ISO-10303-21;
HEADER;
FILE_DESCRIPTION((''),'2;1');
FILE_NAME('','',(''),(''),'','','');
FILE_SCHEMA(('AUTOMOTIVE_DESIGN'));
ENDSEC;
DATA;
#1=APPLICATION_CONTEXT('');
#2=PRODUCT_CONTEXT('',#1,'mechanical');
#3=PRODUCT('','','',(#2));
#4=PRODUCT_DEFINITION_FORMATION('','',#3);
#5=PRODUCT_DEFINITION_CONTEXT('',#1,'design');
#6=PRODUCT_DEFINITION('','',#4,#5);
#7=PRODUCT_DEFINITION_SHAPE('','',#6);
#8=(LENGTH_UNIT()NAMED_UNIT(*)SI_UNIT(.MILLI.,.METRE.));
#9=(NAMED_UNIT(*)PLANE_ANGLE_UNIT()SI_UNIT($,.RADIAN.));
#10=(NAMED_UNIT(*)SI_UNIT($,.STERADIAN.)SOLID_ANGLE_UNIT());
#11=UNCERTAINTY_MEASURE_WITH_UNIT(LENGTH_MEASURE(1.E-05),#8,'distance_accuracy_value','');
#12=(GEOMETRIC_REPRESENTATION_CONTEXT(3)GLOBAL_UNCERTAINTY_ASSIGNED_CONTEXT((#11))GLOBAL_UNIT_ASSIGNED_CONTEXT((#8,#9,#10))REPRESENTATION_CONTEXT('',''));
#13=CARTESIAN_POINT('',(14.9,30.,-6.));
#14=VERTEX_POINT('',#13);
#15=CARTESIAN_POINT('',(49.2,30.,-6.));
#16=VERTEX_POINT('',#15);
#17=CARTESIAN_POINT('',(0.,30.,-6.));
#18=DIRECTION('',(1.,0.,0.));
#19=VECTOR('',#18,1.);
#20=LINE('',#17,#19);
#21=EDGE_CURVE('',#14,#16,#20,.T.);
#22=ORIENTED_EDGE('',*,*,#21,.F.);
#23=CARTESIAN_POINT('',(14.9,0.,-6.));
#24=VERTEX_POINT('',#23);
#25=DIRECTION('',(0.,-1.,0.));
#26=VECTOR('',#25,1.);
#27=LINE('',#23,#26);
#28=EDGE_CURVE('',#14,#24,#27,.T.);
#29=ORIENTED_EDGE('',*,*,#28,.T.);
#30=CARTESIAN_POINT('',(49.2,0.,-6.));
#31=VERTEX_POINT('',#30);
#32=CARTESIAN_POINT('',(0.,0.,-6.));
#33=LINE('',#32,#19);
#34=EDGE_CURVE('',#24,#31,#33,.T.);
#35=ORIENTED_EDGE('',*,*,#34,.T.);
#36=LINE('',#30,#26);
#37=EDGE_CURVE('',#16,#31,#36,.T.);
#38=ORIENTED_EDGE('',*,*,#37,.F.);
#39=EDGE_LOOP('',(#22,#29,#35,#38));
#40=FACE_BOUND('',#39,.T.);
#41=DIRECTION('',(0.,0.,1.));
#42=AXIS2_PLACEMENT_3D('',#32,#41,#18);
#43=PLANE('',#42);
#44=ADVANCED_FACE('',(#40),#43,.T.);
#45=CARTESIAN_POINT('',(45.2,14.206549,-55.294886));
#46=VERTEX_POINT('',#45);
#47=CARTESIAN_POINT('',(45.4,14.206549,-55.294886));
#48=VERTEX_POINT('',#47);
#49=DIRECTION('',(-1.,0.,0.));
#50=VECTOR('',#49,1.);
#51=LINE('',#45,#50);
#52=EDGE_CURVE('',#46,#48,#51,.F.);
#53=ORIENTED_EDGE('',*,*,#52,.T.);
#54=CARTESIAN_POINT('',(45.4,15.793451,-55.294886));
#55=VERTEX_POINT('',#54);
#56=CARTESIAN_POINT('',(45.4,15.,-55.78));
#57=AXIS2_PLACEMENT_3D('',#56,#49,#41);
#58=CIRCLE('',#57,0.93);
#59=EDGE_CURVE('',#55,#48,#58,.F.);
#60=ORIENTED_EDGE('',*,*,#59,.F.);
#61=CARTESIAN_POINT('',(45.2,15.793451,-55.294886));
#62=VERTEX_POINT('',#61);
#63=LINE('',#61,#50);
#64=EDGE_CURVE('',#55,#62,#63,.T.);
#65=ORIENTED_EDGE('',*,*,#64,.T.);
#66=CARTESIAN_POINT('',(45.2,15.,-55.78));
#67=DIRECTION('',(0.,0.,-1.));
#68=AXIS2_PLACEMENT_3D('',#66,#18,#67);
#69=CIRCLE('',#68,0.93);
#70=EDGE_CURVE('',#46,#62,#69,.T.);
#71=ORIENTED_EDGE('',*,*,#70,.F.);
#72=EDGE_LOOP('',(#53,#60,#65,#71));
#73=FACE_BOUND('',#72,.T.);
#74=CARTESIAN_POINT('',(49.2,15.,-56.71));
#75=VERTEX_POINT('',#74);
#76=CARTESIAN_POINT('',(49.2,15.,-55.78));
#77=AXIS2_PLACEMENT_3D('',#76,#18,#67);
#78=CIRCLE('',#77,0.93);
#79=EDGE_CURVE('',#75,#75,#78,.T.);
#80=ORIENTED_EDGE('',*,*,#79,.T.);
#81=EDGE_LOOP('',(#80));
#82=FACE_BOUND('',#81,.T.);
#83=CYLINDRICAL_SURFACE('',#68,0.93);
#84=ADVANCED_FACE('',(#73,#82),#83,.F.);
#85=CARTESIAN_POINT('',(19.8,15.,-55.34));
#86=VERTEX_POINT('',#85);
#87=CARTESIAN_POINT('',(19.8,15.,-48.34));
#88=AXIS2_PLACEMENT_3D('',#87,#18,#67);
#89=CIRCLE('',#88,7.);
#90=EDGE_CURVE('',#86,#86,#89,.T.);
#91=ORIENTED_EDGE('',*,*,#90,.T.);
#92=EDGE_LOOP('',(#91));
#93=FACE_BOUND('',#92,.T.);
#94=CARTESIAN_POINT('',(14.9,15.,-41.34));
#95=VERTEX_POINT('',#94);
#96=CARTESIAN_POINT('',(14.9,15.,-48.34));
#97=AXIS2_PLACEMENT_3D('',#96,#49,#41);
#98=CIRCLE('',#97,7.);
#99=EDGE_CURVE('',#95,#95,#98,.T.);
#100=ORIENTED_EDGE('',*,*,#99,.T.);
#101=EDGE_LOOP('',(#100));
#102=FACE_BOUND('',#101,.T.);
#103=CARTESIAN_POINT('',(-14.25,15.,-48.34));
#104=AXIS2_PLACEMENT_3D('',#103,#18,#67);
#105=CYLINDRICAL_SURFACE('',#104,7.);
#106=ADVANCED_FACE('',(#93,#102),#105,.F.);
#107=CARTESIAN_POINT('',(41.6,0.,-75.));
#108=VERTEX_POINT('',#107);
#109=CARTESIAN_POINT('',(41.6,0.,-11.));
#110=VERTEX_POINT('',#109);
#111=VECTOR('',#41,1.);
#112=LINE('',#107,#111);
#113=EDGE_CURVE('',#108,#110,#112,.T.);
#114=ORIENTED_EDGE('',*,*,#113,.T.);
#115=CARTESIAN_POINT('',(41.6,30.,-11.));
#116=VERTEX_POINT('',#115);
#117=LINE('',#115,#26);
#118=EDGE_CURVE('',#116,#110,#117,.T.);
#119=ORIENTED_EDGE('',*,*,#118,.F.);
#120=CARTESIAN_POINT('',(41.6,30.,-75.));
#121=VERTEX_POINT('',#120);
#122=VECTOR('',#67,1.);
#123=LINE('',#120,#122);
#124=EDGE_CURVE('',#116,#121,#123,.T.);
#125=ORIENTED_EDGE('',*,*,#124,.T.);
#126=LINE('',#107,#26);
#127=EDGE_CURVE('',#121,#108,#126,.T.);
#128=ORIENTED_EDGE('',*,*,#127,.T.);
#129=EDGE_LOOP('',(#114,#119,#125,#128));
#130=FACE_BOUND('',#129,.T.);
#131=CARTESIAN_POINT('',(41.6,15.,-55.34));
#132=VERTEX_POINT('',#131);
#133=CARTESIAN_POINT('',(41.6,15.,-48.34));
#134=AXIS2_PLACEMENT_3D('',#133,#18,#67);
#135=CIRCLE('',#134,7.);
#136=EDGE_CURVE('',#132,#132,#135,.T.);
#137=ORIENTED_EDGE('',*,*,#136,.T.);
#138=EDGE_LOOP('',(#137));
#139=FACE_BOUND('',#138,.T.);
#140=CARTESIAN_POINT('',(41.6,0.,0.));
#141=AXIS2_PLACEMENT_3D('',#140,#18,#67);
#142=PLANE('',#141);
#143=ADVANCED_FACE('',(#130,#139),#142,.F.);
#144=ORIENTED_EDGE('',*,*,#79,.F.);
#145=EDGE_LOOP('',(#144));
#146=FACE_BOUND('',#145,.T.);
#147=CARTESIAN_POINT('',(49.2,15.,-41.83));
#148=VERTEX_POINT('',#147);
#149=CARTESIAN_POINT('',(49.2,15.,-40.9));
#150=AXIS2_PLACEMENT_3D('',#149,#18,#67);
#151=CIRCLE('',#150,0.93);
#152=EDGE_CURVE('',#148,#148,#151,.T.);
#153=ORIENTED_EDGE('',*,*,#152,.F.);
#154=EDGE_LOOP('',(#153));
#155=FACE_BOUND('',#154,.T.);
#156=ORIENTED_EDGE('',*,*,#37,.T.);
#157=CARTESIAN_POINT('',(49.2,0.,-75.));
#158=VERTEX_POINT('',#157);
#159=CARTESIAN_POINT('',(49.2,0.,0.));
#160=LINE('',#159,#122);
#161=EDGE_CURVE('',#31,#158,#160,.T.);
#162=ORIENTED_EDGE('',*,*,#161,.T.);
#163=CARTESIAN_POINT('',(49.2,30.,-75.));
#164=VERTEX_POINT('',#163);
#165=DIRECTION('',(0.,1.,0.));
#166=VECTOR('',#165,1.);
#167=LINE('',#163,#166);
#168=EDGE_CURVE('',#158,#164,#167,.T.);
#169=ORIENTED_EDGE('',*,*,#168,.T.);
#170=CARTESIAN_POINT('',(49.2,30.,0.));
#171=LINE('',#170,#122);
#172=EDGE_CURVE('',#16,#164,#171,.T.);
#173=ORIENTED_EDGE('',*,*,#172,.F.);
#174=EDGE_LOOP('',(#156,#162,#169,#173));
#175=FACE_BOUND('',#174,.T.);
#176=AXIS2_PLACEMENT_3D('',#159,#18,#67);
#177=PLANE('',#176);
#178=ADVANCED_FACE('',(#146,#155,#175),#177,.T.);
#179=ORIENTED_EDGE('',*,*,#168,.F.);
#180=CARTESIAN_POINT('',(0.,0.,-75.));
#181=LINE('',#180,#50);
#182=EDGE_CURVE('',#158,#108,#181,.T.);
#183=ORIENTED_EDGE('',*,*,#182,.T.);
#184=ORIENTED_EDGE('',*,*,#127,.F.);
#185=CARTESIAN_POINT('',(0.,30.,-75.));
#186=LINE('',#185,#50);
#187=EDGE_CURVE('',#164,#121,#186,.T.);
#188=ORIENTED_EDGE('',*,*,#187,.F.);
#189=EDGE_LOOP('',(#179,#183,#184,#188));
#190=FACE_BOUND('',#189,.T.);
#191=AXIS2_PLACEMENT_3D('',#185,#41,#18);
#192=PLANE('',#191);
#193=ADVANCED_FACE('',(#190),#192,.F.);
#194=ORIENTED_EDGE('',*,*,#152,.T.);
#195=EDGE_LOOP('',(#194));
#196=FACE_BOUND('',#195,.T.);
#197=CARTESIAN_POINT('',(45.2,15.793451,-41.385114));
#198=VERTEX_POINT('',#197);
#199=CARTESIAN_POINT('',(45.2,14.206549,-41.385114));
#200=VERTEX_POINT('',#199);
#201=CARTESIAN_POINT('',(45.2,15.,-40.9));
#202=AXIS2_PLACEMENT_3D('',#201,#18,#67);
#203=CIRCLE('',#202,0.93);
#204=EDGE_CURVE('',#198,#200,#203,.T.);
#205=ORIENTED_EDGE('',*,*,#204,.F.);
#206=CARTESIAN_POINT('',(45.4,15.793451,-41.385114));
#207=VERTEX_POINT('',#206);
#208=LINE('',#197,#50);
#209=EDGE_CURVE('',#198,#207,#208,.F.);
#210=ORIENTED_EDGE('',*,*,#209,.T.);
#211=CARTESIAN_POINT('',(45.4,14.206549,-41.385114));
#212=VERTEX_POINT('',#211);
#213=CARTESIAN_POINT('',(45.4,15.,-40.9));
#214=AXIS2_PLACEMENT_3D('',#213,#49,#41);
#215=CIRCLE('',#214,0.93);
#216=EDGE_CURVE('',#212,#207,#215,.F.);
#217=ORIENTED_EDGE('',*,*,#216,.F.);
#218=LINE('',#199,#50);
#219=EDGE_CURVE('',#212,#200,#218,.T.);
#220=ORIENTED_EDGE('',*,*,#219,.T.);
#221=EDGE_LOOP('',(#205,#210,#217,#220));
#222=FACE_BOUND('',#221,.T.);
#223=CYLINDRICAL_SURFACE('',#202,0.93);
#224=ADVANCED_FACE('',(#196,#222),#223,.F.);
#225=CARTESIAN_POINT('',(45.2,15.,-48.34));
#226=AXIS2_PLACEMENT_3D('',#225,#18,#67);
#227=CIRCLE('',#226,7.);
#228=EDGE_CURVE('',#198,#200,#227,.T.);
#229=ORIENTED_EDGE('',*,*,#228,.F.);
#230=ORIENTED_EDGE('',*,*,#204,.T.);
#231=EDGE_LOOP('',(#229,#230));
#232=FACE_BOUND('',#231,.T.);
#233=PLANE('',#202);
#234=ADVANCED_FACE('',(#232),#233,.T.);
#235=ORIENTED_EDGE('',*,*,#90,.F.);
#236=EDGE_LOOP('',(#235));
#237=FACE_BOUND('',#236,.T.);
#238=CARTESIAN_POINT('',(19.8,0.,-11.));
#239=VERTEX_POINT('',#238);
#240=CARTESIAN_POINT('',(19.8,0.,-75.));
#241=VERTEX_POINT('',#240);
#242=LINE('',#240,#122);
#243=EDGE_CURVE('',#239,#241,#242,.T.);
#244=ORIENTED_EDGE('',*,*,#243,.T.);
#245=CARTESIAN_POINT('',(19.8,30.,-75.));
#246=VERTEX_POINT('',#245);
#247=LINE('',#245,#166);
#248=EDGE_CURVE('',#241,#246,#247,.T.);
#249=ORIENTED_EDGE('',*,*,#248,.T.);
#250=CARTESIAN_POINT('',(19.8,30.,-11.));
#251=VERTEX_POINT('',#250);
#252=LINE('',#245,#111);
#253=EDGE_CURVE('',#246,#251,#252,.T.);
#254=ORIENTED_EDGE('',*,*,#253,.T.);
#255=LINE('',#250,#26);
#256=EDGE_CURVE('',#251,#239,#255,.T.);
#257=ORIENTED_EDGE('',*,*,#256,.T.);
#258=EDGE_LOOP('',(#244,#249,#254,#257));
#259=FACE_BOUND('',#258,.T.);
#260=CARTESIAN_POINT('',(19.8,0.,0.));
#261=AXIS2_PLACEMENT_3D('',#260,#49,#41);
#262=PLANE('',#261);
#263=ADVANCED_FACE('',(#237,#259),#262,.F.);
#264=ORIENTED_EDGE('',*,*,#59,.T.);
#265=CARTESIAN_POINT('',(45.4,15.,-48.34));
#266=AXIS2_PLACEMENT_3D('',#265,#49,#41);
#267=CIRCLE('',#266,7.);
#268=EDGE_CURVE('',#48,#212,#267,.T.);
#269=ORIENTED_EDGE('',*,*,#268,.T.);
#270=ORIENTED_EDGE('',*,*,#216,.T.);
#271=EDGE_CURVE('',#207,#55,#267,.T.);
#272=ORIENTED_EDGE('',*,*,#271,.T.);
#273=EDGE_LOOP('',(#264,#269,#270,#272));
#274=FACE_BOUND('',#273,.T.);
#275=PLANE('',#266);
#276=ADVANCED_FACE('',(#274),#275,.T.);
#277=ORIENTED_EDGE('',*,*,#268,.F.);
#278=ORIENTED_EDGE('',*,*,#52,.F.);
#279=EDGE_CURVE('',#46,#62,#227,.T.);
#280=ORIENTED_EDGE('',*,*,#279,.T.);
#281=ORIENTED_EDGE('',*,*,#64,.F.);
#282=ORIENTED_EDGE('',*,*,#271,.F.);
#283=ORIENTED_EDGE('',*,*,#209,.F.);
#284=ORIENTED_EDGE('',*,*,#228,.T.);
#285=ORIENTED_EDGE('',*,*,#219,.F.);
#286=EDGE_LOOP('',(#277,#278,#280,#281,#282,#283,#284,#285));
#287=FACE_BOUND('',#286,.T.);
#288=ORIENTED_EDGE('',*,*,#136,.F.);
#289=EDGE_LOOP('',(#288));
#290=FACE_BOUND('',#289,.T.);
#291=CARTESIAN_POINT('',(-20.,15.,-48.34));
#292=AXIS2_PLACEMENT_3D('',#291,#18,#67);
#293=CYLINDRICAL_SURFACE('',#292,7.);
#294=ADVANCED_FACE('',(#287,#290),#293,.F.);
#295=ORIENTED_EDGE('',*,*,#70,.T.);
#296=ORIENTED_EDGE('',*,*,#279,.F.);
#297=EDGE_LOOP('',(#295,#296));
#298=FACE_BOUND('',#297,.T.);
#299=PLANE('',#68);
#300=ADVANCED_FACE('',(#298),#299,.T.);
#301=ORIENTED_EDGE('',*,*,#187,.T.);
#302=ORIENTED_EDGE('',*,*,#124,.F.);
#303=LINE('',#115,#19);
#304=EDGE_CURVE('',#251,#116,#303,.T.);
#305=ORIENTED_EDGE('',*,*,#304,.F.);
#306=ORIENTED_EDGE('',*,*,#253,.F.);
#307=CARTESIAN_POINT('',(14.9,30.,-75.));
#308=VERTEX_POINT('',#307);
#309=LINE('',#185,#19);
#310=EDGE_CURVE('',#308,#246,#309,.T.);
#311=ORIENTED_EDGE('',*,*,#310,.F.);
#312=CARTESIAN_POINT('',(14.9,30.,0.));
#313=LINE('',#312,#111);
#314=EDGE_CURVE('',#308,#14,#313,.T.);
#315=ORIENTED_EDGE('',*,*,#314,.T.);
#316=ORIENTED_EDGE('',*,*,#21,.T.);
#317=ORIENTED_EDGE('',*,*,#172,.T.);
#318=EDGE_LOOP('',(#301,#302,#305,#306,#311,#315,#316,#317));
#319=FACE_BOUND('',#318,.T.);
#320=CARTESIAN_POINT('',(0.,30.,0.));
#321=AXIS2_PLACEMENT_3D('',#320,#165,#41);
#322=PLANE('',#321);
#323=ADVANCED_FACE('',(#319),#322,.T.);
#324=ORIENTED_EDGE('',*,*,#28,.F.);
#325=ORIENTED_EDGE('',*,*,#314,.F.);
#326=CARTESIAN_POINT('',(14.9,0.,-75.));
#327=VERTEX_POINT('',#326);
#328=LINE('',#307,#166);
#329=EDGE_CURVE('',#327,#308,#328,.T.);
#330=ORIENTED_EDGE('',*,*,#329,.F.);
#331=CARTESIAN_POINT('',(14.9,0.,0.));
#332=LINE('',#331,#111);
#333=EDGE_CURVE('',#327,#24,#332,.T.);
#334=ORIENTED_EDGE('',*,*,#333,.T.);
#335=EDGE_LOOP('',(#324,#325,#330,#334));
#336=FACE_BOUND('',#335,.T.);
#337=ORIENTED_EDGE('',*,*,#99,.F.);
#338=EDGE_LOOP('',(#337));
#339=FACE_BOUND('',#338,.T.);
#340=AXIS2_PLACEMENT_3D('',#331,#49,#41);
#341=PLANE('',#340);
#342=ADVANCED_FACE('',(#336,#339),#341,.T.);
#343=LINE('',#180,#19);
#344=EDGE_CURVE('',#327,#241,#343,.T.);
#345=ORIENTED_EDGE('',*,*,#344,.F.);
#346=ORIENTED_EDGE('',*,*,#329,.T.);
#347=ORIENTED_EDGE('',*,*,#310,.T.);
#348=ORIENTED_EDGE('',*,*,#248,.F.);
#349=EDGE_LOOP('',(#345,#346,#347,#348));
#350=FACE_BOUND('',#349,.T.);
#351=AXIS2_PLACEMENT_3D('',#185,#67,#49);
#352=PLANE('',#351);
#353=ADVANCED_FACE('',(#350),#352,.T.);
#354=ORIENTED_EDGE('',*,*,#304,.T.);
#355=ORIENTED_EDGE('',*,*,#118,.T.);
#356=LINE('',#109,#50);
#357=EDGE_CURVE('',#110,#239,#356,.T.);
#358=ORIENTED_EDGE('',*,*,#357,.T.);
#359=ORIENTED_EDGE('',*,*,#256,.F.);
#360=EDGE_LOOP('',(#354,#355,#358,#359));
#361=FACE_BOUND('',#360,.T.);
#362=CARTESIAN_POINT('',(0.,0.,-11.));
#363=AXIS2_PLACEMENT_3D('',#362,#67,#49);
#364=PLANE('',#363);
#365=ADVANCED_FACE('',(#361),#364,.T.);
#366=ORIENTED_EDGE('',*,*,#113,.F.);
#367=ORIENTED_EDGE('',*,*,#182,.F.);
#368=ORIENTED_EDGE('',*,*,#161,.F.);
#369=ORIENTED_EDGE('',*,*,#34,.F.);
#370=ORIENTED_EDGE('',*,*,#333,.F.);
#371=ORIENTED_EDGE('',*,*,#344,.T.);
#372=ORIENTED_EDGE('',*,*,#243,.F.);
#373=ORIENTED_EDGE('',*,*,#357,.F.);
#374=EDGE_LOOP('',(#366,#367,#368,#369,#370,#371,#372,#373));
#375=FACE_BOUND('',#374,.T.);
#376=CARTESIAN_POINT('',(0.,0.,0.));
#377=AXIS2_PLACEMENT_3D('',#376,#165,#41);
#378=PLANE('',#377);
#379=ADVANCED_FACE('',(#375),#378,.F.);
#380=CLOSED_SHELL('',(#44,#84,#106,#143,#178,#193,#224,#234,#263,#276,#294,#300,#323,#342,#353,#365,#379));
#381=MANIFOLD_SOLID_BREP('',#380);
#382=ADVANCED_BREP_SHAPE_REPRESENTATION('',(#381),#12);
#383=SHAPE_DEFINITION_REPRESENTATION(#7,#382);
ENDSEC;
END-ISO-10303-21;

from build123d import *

# Parameters (mm, degrees)
BOSS_EXTRUDE1_DEPTH = 30
SKETCH2_R           = 7
CUT_EXTRUDE1_DEPTH  = 70
SKETCH3_W           = 111.167782235
SKETCH3_H           = 40.74685258
CUT_EXTRUDE2_DEPTH  = 0.8
SKETCH5_W           = 117.774687649
SKETCH5_H           = 158.291815666
CUT_EXTRUDE3_DEPTH  = 0.8
SKETCH6_W           = 70
SKETCH6_H           = 30
BOSS_EXTRUDE2_DEPTH = 3.4
SKETCH7_W           = 70
SKETCH7_H           = 30
BOSS_EXTRUDE3_DEPTH = 6.7
SKETCH8_W           = 83.763231722
SKETCH8_H           = 77.916949986
CUT_EXTRUDE5_DEPTH  = 6
SKETCH9_R           = 7
CUT_EXTRUDE6_DEPTH  = 90.354574589
SKETCH10_W          = 29.9
SKETCH10_H          = 30
BOSS_EXTRUDE4_DEPTH = 6
SKETCH11_W          = 55.967068903
SKETCH11_H          = 62.229878259
CUT_EXTRUDE7_DEPTH  = 6
SKETCH12_W          = 64
SKETCH12_H          = 30
BOSS_EXTRUDE6_DEPTH = 4.05
SKETCH13_W          = 85.617860434
SKETCH13_H          = 123.38327663
CUT_EXTRUDE9_DEPTH  = 4.05
SKETCH15_W          = 39.049263631
SKETCH15_H          = 151.632152685
CUT_EXTRUDE10_DEPTH = 3.95
SKETCH16_W          = 64
SKETCH16_H          = 30
BOSS_EXTRUDE7_DEPTH = 4.05
SKETCH17_W          = 96.474130843
SKETCH17_H          = 104.566259817
CUT_EXTRUDE11_DEPTH = 4.05
SKETCH18_W          = 6.755230809
SKETCH18_H          = 55.059186595
CUT_EXTRUDE12_DEPTH = 4.05
SKETCH19_R          = 7
CUT_EXTRUDE14_DEPTH = 34.05
SKETCH23_W          = 19.849593964
SKETCH23_H          = 19.85515092
BOSS_EXTRUDE9_DEPTH = 4.2
SKETCH24_R          = 0.93
CUT_EXTRUDE16_DEPTH = 4
SKETCH24_5_R        = 0.93
CUT_EXTRUDE17_DEPTH = 4
SKETCH26_R          = 7
CUT_EXTRUDE18_DEPTH = 0.4


with BuildPart() as part:
    # Sketch1 → Boss-Extrude1 (new body)
    with BuildSketch(Plane(origin=(0, 0, 0), x_dir=(1, 0, 0), z_dir=(0, 1, 0))):
        Polygon((0, 0), (50, 0), (50, 75), (45, 75), (45, 5), (5, 5), (5, 75), (0, 75), align=None)
    extrude(amount=BOSS_EXTRUDE1_DEPTH)

    # Sketch2 → Cut-Extrude1 (cut)
    with BuildSketch(Plane(origin=(50, 0, 0), x_dir=(0, 0, -1), z_dir=(1, 0, 0))):
        with Locations((48.34, 15)):
            Circle(SKETCH2_R)
    extrude(amount=-CUT_EXTRUDE1_DEPTH, mode=Mode.SUBTRACT)

    # Sketch3 → Cut-Extrude2 (cut)
    with BuildSketch(Plane(origin=(50, 0, 0), x_dir=(0, 0, -1), z_dir=(1, 0, 0))):
        with Locations((37.634857553, 15.397923555)):
            Rectangle(SKETCH3_W, SKETCH3_H)
    extrude(amount=-CUT_EXTRUDE2_DEPTH, mode=Mode.SUBTRACT)

    # Sketch5 → Cut-Extrude3 (cut)
    with BuildSketch(Plane.ZY):
        with Locations((-53.14418593, -0.770080807)):
            Rectangle(SKETCH5_W, SKETCH5_H)
    extrude(amount=-CUT_EXTRUDE3_DEPTH, mode=Mode.SUBTRACT)

    # Sketch6 → Boss-Extrude2 (add)
    with BuildSketch(Plane.ZY.offset(-45)):
        with Locations((-40, 15)):
            Rectangle(SKETCH6_W, SKETCH6_H)
    extrude(amount=BOSS_EXTRUDE2_DEPTH)

    # Sketch7 → Boss-Extrude3 (add)
    with BuildSketch(Plane(origin=(5, 0, 0), x_dir=(0, 0, -1), z_dir=(1, 0, 0))):
        with Locations((40, 15)):
            Rectangle(SKETCH7_W, SKETCH7_H)
    extrude(amount=BOSS_EXTRUDE3_DEPTH)

    # Sketch8 → Cut-Extrude5 (cut)
    with BuildSketch(Plane.ZY.offset(-0.8)):
        with Locations((-33.178908474, 22.347774268)):
            Rectangle(SKETCH8_W, SKETCH8_H)
    extrude(amount=-CUT_EXTRUDE5_DEPTH, mode=Mode.SUBTRACT)

    # Sketch9 → Cut-Extrude6 (cut, through all)
    with BuildSketch(Plane(origin=(45, 0, 0), x_dir=(0, 0, -1), z_dir=(1, 0, 0))):
        with Locations((48.34, 15)):
            Circle(SKETCH9_R)
    extrude(amount=-CUT_EXTRUDE6_DEPTH, mode=Mode.SUBTRACT)

    # Sketch10 → Boss-Extrude4 (add)
    with BuildSketch(Plane(origin=(0, 0, -5), x_dir=(-1, 0, 0), z_dir=(0, 0, -1))):
        with Locations((-26.65, 15)):
            Rectangle(SKETCH10_W, SKETCH10_H)
    extrude(amount=BOSS_EXTRUDE4_DEPTH)

    # Sketch11 → Cut-Extrude7 (cut)
    with BuildSketch(Plane.XY):
        with Locations((27.983534452, 15.70224338)):
            Rectangle(SKETCH11_W, SKETCH11_H)
    extrude(amount=-CUT_EXTRUDE7_DEPTH, mode=Mode.SUBTRACT)

    # Sketch12 → Boss-Extrude6 (add)
    with BuildSketch(Plane(origin=(11.7, 0, 0), x_dir=(0, 0, -1), z_dir=(1, 0, 0))):
        with Locations((43, 15)):
            Rectangle(SKETCH12_W, SKETCH12_H)
    extrude(amount=BOSS_EXTRUDE6_DEPTH)

    # Sketch13 → Cut-Extrude9 (cut)
    with BuildSketch(Plane.ZY.offset(-6.8)):
        with Locations((-48.94815067, 16.542324461)):
            Rectangle(SKETCH13_W, SKETCH13_H)
    extrude(amount=-CUT_EXTRUDE9_DEPTH, mode=Mode.SUBTRACT)

    # Sketch15 → Cut-Extrude10 (cut)
    with BuildSketch(Plane.ZY.offset(-6.8)):
        with Locations((0.466031991, 2.740241295)):
            Rectangle(SKETCH15_W, SKETCH15_H)
    extrude(amount=-CUT_EXTRUDE10_DEPTH, mode=Mode.SUBTRACT)

    # Sketch16 → Boss-Extrude7 (add)
    with BuildSketch(Plane(origin=(15.75, 0, 0), x_dir=(0, 0, -1), z_dir=(1, 0, 0))):
        with Locations((43, 15)):
            Rectangle(SKETCH16_W, SKETCH16_H)
    extrude(amount=BOSS_EXTRUDE7_DEPTH)

    # Sketch17 → Cut-Extrude11 (cut)
    with BuildSketch(Plane.ZY.offset(-10.85)):
        with Locations((-42.673680758, 11.569509922)):
            Rectangle(SKETCH17_W, SKETCH17_H)
    extrude(amount=-CUT_EXTRUDE11_DEPTH, mode=Mode.SUBTRACT)


with BuildPart() as cut_extrude11_piece_1:
    # of the separate pieces the step leaves, piece 1, a body of its own (cut_extrude11_pieces)
    add(part.part.solids().sort_by_distance((14.9, 0, -75))[0])

    # Sketch19 → Cut-Extrude14 (cut)
    with BuildSketch(Plane(origin=(19.8, 0, 0), x_dir=(0, 0, -1), z_dir=(1, 0, 0))):
        with Locations((48.34, 15)):
            Circle(SKETCH19_R)
    extrude(amount=-CUT_EXTRUDE14_DEPTH, mode=Mode.SUBTRACT)

    # Sketch23 → Boss-Extrude9 (add)
    with BuildSketch(Plane(origin=(49.2, 0, 0), x_dir=(0, 0, -1), z_dir=(1, 0, 0))):
        with Locations((46.616592264, 15.948021262)):
            Rectangle(SKETCH23_W, SKETCH23_H)
    extrude(amount=-BOSS_EXTRUDE9_DEPTH)

    # Sketch24 → Cut-Extrude16 (cut)
    with BuildSketch(Plane(origin=(49.2, 0, 0), x_dir=(0, 0, -1), z_dir=(1, 0, 0))):
        with Locations((55.78, 15)):
            Circle(SKETCH24_R)
    extrude(amount=-CUT_EXTRUDE16_DEPTH, mode=Mode.SUBTRACT)

    # Sketch24<5> → Cut-Extrude17 (cut)
    with BuildSketch(Plane(origin=(49.2, 0, 0), x_dir=(0, 0, -1), z_dir=(1, 0, 0))):
        with Locations((40.9, 15)):
            Circle(SKETCH24_5_R)
    extrude(amount=-CUT_EXTRUDE17_DEPTH, mode=Mode.SUBTRACT)

    # Sketch26 → Cut-Extrude18 (cut)
    with BuildSketch(Plane.ZY.offset(-45)):
        with Locations((-48.34, 15)):
            Circle(SKETCH26_R)
    extrude(amount=-CUT_EXTRUDE18_DEPTH, mode=Mode.SUBTRACT)


with BuildPart() as cut_extrude11_piece_2:
    # of the separate pieces the step leaves, piece 2, a body of its own (cut_extrude11_pieces)
    add(part.part.solids().sort_by_distance((10.85, 0, -6))[0])

    # Sketch18 → Cut-Extrude12 (cut)
    with BuildSketch(Plane.ZY.offset(-10.75)):
        with Locations((-5.990573003, 11.129995274)):
            Rectangle(SKETCH18_W, SKETCH18_H)
    extrude(amount=-CUT_EXTRUDE12_DEPTH, mode=Mode.SUBTRACT)


solid = cut_extrude11_piece_1.part
